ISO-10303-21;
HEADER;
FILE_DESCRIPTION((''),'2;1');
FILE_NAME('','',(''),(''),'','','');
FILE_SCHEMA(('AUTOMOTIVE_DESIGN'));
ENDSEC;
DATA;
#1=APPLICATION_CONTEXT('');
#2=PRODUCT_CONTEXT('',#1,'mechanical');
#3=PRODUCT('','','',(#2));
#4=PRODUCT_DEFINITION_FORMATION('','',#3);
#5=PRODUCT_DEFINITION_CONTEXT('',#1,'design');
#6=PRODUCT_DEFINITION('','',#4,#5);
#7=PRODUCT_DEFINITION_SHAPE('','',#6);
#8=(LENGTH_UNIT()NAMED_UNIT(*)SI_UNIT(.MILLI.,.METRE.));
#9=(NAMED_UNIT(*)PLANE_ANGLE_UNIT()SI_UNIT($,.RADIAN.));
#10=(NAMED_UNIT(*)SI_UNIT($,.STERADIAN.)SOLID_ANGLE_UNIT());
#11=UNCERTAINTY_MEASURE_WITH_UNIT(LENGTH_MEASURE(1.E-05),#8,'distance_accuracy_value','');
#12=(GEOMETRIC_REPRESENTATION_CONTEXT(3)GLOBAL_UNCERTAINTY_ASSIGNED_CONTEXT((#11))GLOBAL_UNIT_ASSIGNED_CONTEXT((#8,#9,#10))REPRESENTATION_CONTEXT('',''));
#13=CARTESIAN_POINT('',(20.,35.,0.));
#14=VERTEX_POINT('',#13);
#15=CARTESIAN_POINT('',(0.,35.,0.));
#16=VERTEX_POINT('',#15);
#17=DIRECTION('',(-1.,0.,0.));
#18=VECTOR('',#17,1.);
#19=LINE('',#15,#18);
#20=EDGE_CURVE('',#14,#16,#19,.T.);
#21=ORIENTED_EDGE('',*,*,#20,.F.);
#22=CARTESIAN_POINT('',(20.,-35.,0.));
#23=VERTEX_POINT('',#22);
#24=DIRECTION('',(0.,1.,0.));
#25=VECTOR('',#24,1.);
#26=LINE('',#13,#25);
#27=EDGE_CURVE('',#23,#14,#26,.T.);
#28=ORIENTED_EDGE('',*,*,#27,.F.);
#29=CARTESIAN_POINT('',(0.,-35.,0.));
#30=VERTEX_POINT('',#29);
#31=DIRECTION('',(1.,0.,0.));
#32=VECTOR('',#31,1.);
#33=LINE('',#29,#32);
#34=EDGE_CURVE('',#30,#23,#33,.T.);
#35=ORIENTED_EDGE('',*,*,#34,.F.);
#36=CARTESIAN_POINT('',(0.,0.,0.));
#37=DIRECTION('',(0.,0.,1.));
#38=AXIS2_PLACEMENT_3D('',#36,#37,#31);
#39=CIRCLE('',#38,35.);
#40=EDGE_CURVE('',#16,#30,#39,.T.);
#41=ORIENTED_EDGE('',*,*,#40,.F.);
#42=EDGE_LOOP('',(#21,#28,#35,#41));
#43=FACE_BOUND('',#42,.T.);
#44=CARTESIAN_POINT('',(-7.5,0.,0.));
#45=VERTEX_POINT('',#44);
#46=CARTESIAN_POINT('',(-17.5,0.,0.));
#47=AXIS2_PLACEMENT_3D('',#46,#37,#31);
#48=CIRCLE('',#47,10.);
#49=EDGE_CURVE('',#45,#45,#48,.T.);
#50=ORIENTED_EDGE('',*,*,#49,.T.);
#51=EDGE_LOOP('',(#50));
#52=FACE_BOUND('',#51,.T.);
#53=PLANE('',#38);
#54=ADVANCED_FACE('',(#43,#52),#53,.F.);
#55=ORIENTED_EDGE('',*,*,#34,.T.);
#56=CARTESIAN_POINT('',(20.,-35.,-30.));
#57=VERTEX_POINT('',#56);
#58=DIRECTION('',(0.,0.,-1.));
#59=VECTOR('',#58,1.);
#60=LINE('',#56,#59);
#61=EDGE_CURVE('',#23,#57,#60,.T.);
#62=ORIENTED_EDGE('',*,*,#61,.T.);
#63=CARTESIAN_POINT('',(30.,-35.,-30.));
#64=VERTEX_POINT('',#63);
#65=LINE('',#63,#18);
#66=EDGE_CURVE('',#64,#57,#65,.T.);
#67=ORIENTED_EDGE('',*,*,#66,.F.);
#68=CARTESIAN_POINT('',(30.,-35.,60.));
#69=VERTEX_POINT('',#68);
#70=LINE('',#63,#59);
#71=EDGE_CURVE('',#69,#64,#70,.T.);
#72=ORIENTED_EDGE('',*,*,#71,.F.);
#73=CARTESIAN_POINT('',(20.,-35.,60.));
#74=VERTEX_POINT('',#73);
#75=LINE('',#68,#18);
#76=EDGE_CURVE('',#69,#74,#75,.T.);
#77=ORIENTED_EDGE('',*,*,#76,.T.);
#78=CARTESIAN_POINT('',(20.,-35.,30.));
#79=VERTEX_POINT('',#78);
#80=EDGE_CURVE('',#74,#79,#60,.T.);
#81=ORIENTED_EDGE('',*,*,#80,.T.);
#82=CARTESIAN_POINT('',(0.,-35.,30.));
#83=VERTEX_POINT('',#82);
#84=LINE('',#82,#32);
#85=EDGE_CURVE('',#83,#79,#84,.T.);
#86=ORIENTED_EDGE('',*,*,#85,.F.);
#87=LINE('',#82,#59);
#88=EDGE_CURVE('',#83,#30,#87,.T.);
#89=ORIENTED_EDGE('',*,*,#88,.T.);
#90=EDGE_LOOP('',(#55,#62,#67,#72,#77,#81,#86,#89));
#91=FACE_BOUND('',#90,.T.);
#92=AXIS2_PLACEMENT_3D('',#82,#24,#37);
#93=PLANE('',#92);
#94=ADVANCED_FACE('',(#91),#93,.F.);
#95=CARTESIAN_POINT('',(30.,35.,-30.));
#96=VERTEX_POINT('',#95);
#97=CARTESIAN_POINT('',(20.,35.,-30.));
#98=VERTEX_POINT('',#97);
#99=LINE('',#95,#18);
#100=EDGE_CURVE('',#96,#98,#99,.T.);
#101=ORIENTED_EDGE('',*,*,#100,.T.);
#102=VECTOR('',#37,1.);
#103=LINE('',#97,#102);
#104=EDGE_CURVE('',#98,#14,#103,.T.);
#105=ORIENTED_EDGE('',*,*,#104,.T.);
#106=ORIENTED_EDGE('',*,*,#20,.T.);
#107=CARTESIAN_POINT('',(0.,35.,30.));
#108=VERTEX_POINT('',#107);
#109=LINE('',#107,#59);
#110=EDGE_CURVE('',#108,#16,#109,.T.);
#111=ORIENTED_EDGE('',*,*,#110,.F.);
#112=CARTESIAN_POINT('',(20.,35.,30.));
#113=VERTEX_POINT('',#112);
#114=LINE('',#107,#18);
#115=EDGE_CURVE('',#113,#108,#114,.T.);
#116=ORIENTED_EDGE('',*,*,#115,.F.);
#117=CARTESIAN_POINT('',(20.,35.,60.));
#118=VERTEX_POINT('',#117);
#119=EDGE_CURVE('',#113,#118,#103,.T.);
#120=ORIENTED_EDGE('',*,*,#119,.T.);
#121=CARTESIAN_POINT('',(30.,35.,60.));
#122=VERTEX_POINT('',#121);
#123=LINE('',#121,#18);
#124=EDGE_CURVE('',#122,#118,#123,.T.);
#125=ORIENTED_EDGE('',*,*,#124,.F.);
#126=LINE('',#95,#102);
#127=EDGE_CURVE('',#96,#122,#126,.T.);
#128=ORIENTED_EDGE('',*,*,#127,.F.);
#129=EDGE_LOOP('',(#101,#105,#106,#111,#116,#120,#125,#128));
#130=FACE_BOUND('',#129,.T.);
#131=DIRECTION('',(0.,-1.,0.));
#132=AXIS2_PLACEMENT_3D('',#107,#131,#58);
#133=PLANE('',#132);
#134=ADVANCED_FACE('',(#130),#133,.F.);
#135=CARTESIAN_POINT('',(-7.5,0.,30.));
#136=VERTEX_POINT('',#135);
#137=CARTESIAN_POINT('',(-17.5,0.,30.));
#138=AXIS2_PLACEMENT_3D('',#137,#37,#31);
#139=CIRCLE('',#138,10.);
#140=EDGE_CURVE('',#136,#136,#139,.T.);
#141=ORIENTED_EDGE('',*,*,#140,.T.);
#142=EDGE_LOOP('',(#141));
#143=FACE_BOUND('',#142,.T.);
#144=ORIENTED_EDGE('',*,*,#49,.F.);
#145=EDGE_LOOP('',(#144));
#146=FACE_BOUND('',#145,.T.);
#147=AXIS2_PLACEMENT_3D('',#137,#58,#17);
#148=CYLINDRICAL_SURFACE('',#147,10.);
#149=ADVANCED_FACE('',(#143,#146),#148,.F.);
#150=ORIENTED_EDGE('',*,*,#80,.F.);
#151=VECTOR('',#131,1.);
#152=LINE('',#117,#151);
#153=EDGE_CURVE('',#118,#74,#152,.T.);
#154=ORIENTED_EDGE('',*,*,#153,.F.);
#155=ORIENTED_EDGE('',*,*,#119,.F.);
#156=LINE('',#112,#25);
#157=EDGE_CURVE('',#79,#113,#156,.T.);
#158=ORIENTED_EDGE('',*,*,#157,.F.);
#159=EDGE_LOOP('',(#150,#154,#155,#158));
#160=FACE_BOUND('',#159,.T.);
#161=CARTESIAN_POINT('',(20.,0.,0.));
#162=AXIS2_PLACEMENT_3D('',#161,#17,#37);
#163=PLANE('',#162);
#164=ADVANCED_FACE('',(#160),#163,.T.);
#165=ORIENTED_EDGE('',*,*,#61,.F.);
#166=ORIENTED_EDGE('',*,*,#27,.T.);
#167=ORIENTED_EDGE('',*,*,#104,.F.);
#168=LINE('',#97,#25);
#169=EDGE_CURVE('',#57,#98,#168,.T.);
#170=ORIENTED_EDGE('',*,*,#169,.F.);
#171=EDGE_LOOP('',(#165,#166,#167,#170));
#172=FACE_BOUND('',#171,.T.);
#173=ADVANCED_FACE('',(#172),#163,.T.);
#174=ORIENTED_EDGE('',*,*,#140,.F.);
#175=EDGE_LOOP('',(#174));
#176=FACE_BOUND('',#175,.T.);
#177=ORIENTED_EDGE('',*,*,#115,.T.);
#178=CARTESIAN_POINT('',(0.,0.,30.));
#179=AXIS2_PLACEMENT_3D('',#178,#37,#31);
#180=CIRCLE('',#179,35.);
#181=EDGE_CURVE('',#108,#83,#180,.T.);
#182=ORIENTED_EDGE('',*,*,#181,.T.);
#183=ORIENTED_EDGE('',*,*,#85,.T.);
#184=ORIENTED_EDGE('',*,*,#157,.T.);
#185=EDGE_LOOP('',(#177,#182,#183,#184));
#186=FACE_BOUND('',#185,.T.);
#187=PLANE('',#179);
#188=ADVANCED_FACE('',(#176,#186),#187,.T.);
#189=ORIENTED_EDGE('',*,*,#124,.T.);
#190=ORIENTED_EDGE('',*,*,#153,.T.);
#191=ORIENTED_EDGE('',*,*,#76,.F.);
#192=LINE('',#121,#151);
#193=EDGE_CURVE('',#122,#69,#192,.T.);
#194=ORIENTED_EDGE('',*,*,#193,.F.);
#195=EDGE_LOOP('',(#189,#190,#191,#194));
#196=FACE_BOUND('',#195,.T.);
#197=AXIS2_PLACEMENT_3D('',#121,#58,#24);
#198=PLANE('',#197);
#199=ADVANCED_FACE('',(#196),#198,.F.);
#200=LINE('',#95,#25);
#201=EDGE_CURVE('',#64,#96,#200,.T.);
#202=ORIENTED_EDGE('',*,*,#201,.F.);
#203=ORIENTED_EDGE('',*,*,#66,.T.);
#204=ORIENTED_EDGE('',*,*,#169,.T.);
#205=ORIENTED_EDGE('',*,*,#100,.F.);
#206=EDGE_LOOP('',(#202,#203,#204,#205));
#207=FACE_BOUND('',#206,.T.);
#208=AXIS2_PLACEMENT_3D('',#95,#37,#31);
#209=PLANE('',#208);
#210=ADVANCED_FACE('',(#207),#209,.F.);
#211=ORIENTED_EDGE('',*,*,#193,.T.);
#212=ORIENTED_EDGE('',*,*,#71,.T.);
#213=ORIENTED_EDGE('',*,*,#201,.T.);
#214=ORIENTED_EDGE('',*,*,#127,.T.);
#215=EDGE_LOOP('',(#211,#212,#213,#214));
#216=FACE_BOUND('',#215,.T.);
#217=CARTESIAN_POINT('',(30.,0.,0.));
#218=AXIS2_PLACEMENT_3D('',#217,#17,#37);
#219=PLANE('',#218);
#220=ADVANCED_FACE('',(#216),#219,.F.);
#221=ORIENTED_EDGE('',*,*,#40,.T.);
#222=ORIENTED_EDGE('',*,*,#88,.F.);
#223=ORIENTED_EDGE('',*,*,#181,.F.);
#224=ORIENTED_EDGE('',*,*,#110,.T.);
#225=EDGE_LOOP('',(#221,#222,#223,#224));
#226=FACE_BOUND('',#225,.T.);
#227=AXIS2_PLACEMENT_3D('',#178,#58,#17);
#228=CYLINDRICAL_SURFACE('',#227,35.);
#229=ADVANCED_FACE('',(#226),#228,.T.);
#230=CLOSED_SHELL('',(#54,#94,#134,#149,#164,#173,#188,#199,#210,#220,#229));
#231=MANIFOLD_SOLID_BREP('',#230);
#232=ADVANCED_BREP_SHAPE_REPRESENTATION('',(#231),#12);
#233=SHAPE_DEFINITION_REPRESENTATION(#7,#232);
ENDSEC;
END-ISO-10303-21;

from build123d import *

# Parameters (mm, degrees)
SKETCH1_R           = 10
BOSS_EXTRUDE1_DEPTH = 30
SKETCH2_W           = 90
SKETCH2_H           = 70
BOSS_EXTRUDE2_DEPTH = 10


with BuildPart() as part:
    # Sketch1 → Boss-Extrude1 (new body)
    with BuildSketch(Plane.XY):
        with BuildLine():
            Line((0, 35), (20, 35))
            Line((20, 35), (20, -35))
            Line((20, -35), (0, -35))
            ThreePointArc((0, -35), (-35, 0), (0, 35))
        make_face()
        with Locations((-17.5, 0)):
            Circle(SKETCH1_R, mode=Mode.SUBTRACT)
    extrude(amount=BOSS_EXTRUDE1_DEPTH)

    # Sketch2 → Boss-Extrude2 (add)
    with BuildSketch(Plane(origin=(20, 0, 0), x_dir=(0, 0, -1), z_dir=(1, 0, 0))):
        with Locations((-15, 0)):
            Rectangle(SKETCH2_W, SKETCH2_H)
    extrude(amount=BOSS_EXTRUDE2_DEPTH)


solid = part.part
